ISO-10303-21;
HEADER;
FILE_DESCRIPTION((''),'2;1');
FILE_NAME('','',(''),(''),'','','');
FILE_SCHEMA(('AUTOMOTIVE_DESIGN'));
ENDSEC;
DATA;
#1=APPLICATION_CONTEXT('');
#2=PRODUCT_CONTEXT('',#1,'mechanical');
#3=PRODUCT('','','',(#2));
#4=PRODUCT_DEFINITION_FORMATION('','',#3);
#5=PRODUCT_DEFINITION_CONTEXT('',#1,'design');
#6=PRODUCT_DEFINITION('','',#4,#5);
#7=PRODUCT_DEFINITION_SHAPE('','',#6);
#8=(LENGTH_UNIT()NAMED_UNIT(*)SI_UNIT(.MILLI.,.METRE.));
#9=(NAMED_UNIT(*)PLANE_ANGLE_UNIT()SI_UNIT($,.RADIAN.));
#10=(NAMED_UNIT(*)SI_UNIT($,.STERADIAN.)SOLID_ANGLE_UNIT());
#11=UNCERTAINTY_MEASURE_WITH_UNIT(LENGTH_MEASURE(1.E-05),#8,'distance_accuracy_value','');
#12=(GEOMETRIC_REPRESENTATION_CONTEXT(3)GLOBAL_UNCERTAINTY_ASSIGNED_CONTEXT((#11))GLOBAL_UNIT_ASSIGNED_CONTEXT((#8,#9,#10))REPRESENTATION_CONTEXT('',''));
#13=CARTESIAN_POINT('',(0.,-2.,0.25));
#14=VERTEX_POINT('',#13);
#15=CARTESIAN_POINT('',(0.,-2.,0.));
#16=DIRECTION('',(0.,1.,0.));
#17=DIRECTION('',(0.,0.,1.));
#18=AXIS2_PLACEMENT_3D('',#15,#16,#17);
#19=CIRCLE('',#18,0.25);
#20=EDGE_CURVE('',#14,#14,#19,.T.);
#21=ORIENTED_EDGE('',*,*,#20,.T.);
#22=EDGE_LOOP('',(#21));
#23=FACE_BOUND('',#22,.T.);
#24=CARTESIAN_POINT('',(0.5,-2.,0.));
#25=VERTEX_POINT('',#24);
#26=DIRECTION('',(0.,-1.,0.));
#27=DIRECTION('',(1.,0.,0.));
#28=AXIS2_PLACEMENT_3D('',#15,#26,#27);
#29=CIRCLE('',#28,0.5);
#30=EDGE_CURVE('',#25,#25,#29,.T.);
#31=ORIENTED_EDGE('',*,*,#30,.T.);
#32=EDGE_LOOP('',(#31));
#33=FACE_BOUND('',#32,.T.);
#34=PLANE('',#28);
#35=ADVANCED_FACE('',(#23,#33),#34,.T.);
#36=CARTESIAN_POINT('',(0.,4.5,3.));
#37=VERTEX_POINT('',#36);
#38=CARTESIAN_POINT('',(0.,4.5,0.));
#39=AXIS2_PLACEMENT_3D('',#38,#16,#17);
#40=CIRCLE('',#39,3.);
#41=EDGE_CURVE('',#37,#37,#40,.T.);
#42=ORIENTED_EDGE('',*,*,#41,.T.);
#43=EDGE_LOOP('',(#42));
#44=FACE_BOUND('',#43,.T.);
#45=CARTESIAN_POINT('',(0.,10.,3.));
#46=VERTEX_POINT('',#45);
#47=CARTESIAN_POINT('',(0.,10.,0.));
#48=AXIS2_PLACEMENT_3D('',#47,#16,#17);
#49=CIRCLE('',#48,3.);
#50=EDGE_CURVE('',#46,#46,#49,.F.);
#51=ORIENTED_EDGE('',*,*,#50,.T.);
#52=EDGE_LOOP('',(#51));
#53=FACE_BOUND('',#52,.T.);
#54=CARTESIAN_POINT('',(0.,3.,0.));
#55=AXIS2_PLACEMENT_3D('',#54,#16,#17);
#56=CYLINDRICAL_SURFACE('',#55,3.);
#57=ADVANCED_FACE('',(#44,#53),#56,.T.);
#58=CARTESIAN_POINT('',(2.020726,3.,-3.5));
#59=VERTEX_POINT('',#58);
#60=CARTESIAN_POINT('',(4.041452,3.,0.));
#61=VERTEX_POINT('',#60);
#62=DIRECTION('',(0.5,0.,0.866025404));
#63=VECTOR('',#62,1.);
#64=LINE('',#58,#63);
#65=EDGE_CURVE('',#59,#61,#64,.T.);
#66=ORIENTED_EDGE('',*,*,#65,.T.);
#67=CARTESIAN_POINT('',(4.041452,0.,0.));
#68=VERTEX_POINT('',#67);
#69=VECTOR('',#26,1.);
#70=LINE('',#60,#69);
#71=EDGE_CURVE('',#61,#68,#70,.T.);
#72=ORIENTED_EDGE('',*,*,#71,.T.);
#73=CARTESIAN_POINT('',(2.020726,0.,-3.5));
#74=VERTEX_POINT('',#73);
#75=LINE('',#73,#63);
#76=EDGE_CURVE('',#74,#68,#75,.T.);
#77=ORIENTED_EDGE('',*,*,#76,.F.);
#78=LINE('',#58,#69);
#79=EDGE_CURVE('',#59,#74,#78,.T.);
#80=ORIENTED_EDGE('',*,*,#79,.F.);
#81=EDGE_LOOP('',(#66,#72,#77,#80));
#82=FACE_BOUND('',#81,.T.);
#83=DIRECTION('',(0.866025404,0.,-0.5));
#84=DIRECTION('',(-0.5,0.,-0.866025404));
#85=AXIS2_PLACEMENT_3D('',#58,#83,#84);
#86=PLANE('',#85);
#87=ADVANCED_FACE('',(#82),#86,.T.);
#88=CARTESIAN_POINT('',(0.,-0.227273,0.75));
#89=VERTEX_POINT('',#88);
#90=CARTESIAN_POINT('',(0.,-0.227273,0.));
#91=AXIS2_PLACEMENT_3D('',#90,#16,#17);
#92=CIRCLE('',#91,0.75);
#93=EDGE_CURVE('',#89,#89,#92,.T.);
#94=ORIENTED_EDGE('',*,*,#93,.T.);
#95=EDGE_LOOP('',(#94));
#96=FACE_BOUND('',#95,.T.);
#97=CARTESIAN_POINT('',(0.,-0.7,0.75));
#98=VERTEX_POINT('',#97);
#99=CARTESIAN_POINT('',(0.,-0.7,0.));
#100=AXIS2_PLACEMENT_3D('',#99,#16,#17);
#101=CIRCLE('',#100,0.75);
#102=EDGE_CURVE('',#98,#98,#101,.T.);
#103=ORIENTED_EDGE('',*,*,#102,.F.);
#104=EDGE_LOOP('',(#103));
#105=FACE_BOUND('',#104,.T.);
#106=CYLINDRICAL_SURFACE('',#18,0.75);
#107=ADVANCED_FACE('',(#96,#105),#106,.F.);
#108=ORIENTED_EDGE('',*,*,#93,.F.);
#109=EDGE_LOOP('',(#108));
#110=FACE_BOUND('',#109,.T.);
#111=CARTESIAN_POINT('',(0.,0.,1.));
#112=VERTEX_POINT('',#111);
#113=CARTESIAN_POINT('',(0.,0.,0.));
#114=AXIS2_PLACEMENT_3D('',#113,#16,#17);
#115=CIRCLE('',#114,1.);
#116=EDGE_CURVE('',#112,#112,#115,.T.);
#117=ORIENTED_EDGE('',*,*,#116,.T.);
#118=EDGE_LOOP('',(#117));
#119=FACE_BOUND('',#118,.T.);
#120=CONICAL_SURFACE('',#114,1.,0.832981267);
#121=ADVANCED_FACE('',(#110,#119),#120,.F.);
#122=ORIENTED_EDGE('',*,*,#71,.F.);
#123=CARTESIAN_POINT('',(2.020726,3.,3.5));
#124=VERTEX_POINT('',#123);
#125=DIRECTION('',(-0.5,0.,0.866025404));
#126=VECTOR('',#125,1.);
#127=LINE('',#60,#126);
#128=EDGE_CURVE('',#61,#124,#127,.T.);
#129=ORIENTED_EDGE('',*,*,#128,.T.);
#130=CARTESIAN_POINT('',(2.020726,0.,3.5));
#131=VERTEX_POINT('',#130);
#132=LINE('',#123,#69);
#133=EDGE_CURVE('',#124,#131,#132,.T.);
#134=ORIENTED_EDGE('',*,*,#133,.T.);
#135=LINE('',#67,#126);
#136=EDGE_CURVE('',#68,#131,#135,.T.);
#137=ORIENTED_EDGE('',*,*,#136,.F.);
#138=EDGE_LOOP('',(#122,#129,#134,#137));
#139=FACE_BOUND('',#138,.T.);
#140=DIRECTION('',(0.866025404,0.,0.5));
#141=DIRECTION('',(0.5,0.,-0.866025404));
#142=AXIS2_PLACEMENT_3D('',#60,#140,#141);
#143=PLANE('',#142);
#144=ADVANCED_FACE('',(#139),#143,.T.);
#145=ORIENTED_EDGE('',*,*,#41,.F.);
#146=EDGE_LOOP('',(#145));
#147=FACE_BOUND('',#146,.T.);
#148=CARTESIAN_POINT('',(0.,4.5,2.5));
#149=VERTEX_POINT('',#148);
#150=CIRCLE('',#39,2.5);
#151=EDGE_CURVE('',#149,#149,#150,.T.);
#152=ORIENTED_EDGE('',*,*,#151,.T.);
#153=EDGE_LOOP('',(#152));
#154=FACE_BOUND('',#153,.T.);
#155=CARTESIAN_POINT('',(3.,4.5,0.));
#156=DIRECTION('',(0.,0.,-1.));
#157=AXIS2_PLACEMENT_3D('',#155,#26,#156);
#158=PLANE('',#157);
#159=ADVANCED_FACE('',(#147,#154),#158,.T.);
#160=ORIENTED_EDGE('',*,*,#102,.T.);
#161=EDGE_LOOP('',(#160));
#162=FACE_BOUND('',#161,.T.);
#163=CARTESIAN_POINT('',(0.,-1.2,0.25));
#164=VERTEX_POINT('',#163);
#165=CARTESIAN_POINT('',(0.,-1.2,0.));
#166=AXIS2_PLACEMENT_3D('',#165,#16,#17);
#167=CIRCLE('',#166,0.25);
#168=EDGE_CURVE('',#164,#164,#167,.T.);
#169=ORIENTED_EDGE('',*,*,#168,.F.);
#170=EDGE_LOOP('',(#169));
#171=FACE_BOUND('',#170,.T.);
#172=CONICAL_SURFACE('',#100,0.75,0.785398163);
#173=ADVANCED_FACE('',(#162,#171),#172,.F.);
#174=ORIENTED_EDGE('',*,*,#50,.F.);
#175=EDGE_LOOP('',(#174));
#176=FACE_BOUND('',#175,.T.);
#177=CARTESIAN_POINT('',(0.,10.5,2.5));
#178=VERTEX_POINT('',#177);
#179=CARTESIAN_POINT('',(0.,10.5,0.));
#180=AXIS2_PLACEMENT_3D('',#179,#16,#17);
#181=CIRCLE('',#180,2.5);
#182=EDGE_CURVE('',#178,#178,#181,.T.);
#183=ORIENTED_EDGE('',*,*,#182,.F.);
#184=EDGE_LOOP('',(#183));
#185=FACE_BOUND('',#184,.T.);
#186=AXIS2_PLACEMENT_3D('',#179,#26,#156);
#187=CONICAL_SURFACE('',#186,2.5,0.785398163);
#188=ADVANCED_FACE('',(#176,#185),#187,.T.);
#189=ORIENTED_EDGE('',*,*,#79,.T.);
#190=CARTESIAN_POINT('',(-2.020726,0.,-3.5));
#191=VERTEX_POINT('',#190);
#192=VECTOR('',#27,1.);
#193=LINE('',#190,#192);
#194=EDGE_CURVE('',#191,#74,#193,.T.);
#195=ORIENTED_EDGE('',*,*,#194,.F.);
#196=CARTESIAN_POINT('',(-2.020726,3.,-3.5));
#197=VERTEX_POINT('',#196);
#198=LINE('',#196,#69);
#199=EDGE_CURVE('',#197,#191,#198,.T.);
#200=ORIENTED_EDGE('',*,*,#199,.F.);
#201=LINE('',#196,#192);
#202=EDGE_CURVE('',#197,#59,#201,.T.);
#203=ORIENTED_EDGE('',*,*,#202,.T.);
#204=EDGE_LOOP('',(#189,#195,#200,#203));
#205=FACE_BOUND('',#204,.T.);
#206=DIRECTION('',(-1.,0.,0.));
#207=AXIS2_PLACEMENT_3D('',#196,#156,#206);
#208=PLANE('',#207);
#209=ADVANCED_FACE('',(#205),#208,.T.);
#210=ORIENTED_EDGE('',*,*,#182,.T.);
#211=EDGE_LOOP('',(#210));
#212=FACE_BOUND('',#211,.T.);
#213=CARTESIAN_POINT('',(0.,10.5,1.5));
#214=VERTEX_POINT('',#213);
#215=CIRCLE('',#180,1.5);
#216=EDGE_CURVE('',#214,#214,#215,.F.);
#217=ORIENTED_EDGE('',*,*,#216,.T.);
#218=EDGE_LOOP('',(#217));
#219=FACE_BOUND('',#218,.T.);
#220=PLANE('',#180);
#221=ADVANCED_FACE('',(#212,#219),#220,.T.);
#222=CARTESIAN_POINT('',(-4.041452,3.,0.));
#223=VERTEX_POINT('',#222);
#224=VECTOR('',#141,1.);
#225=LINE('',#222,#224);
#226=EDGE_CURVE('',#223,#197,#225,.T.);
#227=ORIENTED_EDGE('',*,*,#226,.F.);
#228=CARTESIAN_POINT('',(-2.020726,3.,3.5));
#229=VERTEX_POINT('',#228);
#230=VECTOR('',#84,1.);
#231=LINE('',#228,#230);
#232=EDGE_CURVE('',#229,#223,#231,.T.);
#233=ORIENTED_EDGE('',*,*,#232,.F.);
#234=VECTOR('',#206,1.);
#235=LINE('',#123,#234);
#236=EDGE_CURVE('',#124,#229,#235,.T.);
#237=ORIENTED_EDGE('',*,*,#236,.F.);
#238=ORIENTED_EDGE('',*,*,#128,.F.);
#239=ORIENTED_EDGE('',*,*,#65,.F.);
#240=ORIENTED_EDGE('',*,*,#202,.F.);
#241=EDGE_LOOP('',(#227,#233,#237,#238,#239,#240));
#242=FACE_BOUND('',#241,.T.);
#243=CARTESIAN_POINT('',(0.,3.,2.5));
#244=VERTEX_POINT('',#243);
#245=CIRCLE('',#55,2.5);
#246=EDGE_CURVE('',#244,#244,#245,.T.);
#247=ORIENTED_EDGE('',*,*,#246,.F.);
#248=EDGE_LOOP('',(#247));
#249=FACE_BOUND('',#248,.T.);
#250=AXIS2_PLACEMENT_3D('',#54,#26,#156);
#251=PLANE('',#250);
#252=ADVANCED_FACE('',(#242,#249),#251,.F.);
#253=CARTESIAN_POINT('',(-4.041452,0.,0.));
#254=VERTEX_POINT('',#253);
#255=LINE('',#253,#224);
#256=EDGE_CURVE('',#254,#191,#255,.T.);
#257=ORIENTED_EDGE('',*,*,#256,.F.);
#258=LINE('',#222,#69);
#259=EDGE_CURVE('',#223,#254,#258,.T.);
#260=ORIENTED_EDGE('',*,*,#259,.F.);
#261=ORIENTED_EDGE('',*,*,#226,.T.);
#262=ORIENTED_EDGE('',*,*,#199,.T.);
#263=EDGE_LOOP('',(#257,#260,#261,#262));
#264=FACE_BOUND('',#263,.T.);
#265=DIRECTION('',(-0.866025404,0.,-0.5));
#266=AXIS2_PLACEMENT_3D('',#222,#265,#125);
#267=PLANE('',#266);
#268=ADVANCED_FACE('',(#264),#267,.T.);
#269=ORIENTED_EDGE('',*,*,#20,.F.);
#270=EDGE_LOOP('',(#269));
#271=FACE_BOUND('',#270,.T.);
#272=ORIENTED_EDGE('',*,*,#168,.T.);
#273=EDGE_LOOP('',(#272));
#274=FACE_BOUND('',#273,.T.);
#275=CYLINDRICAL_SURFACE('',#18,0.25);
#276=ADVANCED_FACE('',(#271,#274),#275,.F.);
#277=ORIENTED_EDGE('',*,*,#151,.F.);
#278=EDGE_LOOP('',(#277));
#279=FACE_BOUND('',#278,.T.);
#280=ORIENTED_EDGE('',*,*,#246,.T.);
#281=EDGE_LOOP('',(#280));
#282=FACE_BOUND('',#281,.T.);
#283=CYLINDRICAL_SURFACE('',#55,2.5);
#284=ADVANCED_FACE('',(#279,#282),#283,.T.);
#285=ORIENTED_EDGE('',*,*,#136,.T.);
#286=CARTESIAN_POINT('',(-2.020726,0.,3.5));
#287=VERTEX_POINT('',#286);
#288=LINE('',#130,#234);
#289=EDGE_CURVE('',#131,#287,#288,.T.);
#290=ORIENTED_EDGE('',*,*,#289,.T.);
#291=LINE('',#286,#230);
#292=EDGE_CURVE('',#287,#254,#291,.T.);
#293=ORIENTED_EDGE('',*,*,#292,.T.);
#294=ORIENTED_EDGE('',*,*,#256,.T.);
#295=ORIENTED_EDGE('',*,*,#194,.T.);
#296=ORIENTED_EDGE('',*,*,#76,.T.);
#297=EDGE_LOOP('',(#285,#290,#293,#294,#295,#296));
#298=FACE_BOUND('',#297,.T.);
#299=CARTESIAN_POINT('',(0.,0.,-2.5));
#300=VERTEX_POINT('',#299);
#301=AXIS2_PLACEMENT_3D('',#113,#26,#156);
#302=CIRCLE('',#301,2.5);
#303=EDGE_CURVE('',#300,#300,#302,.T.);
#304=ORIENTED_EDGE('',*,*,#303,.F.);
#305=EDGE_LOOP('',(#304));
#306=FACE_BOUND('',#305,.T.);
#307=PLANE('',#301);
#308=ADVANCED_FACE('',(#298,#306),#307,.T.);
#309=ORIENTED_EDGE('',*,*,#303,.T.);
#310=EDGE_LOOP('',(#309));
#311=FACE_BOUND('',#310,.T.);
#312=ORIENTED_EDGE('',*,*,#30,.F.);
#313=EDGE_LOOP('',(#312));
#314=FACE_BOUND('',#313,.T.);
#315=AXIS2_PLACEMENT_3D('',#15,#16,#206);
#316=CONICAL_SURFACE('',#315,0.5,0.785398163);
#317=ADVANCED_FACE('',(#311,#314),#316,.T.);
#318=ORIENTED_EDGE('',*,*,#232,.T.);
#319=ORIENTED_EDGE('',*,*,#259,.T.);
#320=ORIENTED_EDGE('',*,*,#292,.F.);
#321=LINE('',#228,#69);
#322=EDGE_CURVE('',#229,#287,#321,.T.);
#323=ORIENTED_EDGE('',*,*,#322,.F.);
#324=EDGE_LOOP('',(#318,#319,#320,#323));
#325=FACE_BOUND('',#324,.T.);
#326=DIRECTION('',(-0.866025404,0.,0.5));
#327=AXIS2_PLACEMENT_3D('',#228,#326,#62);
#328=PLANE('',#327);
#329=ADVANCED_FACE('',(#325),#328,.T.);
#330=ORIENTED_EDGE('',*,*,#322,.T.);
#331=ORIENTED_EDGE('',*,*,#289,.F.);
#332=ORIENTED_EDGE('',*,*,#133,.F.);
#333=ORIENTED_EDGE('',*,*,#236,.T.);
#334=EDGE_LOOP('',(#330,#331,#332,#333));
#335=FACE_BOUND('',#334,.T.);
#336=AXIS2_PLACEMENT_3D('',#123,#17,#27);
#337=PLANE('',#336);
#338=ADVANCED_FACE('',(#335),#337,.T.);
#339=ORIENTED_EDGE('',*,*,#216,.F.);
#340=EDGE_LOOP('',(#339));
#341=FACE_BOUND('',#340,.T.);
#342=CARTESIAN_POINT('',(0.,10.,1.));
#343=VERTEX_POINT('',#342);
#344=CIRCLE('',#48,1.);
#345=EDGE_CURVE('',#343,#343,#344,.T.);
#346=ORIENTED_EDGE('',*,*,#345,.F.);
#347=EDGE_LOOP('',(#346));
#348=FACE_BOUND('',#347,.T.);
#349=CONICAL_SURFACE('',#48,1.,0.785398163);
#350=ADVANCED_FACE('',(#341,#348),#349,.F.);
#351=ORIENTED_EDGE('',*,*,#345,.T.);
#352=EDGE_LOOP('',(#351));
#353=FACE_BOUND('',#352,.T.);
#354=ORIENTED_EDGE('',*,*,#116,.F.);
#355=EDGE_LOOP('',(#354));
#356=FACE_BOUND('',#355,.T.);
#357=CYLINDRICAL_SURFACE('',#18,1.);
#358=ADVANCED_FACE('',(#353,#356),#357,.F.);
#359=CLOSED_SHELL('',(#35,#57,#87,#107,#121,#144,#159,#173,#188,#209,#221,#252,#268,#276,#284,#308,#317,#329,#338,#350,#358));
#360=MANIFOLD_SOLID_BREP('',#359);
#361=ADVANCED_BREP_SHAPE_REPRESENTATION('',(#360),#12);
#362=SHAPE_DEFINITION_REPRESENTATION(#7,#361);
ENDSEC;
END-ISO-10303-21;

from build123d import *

# Parameters (mm, degrees)
BOSS_EXTRUDE1_DEPTH = 3
CHAMFER1_SIZE       = 0.5


with BuildPart() as part:
    # Sketch1 → Boss-Extrude1 (new body)
    with BuildSketch(Plane.XZ):
        Polygon((-2.020725942, 3.5), (-4.041451884, 0), (-2.020725942, -3.5), (2.020725942, -3.5), (4.041451884, 0), (2.020725942, 3.5), align=None)
    extrude(amount=-BOSS_EXTRUDE1_DEPTH)

    # Sketch2 → Revolve1 (revolve)
    with BuildSketch(Plane(origin=(0, 0, 0), x_dir=(-1, 0, 0), z_dir=(0, 0, -1))):
        Polygon((-2.5, 3), (0, 3), (0, 10.5), (-3, 10.5), (-3, 4.5), (-2.5, 4.5), align=None)
    revolve(axis=Axis((0, 3, 0), (0, 1, 0)))

    # Sketch3 → Revolve2 (revolve)
    with BuildSketch(Plane.XY):
        Polygon((2.5, 0), (0, 0), (0, -2), (0.5, -2), align=None)
    revolve(axis=Axis((0, 0, 0), (0, -1, 0)))

    # Sketch4 → Cut-Revolve1 (revolve, cut)
    with BuildSketch(Plane(origin=(0, 0, 0), x_dir=(-1, 0, 0), z_dir=(0, 0, -1))):
        Polygon((-0.25, -2), (0, -2), (0, 10.5), (-1, 10.5), (-1, 0), (-0.75, -0.227272727), (-0.75, -0.7), (-0.25, -1.2), align=None)
    revolve(axis=Axis((0, -2, 0), (0, 1, 0)), mode=Mode.SUBTRACT)

    # Chamfer1
    chamfer1_edges = [part.edges().sort_by_distance(p)[0] for p in [
        (-3, 10.5, 0),
        (-1, 10.5, 0),
    ]]
    chamfer(chamfer1_edges, length=CHAMFER1_SIZE)


solid = part.part
